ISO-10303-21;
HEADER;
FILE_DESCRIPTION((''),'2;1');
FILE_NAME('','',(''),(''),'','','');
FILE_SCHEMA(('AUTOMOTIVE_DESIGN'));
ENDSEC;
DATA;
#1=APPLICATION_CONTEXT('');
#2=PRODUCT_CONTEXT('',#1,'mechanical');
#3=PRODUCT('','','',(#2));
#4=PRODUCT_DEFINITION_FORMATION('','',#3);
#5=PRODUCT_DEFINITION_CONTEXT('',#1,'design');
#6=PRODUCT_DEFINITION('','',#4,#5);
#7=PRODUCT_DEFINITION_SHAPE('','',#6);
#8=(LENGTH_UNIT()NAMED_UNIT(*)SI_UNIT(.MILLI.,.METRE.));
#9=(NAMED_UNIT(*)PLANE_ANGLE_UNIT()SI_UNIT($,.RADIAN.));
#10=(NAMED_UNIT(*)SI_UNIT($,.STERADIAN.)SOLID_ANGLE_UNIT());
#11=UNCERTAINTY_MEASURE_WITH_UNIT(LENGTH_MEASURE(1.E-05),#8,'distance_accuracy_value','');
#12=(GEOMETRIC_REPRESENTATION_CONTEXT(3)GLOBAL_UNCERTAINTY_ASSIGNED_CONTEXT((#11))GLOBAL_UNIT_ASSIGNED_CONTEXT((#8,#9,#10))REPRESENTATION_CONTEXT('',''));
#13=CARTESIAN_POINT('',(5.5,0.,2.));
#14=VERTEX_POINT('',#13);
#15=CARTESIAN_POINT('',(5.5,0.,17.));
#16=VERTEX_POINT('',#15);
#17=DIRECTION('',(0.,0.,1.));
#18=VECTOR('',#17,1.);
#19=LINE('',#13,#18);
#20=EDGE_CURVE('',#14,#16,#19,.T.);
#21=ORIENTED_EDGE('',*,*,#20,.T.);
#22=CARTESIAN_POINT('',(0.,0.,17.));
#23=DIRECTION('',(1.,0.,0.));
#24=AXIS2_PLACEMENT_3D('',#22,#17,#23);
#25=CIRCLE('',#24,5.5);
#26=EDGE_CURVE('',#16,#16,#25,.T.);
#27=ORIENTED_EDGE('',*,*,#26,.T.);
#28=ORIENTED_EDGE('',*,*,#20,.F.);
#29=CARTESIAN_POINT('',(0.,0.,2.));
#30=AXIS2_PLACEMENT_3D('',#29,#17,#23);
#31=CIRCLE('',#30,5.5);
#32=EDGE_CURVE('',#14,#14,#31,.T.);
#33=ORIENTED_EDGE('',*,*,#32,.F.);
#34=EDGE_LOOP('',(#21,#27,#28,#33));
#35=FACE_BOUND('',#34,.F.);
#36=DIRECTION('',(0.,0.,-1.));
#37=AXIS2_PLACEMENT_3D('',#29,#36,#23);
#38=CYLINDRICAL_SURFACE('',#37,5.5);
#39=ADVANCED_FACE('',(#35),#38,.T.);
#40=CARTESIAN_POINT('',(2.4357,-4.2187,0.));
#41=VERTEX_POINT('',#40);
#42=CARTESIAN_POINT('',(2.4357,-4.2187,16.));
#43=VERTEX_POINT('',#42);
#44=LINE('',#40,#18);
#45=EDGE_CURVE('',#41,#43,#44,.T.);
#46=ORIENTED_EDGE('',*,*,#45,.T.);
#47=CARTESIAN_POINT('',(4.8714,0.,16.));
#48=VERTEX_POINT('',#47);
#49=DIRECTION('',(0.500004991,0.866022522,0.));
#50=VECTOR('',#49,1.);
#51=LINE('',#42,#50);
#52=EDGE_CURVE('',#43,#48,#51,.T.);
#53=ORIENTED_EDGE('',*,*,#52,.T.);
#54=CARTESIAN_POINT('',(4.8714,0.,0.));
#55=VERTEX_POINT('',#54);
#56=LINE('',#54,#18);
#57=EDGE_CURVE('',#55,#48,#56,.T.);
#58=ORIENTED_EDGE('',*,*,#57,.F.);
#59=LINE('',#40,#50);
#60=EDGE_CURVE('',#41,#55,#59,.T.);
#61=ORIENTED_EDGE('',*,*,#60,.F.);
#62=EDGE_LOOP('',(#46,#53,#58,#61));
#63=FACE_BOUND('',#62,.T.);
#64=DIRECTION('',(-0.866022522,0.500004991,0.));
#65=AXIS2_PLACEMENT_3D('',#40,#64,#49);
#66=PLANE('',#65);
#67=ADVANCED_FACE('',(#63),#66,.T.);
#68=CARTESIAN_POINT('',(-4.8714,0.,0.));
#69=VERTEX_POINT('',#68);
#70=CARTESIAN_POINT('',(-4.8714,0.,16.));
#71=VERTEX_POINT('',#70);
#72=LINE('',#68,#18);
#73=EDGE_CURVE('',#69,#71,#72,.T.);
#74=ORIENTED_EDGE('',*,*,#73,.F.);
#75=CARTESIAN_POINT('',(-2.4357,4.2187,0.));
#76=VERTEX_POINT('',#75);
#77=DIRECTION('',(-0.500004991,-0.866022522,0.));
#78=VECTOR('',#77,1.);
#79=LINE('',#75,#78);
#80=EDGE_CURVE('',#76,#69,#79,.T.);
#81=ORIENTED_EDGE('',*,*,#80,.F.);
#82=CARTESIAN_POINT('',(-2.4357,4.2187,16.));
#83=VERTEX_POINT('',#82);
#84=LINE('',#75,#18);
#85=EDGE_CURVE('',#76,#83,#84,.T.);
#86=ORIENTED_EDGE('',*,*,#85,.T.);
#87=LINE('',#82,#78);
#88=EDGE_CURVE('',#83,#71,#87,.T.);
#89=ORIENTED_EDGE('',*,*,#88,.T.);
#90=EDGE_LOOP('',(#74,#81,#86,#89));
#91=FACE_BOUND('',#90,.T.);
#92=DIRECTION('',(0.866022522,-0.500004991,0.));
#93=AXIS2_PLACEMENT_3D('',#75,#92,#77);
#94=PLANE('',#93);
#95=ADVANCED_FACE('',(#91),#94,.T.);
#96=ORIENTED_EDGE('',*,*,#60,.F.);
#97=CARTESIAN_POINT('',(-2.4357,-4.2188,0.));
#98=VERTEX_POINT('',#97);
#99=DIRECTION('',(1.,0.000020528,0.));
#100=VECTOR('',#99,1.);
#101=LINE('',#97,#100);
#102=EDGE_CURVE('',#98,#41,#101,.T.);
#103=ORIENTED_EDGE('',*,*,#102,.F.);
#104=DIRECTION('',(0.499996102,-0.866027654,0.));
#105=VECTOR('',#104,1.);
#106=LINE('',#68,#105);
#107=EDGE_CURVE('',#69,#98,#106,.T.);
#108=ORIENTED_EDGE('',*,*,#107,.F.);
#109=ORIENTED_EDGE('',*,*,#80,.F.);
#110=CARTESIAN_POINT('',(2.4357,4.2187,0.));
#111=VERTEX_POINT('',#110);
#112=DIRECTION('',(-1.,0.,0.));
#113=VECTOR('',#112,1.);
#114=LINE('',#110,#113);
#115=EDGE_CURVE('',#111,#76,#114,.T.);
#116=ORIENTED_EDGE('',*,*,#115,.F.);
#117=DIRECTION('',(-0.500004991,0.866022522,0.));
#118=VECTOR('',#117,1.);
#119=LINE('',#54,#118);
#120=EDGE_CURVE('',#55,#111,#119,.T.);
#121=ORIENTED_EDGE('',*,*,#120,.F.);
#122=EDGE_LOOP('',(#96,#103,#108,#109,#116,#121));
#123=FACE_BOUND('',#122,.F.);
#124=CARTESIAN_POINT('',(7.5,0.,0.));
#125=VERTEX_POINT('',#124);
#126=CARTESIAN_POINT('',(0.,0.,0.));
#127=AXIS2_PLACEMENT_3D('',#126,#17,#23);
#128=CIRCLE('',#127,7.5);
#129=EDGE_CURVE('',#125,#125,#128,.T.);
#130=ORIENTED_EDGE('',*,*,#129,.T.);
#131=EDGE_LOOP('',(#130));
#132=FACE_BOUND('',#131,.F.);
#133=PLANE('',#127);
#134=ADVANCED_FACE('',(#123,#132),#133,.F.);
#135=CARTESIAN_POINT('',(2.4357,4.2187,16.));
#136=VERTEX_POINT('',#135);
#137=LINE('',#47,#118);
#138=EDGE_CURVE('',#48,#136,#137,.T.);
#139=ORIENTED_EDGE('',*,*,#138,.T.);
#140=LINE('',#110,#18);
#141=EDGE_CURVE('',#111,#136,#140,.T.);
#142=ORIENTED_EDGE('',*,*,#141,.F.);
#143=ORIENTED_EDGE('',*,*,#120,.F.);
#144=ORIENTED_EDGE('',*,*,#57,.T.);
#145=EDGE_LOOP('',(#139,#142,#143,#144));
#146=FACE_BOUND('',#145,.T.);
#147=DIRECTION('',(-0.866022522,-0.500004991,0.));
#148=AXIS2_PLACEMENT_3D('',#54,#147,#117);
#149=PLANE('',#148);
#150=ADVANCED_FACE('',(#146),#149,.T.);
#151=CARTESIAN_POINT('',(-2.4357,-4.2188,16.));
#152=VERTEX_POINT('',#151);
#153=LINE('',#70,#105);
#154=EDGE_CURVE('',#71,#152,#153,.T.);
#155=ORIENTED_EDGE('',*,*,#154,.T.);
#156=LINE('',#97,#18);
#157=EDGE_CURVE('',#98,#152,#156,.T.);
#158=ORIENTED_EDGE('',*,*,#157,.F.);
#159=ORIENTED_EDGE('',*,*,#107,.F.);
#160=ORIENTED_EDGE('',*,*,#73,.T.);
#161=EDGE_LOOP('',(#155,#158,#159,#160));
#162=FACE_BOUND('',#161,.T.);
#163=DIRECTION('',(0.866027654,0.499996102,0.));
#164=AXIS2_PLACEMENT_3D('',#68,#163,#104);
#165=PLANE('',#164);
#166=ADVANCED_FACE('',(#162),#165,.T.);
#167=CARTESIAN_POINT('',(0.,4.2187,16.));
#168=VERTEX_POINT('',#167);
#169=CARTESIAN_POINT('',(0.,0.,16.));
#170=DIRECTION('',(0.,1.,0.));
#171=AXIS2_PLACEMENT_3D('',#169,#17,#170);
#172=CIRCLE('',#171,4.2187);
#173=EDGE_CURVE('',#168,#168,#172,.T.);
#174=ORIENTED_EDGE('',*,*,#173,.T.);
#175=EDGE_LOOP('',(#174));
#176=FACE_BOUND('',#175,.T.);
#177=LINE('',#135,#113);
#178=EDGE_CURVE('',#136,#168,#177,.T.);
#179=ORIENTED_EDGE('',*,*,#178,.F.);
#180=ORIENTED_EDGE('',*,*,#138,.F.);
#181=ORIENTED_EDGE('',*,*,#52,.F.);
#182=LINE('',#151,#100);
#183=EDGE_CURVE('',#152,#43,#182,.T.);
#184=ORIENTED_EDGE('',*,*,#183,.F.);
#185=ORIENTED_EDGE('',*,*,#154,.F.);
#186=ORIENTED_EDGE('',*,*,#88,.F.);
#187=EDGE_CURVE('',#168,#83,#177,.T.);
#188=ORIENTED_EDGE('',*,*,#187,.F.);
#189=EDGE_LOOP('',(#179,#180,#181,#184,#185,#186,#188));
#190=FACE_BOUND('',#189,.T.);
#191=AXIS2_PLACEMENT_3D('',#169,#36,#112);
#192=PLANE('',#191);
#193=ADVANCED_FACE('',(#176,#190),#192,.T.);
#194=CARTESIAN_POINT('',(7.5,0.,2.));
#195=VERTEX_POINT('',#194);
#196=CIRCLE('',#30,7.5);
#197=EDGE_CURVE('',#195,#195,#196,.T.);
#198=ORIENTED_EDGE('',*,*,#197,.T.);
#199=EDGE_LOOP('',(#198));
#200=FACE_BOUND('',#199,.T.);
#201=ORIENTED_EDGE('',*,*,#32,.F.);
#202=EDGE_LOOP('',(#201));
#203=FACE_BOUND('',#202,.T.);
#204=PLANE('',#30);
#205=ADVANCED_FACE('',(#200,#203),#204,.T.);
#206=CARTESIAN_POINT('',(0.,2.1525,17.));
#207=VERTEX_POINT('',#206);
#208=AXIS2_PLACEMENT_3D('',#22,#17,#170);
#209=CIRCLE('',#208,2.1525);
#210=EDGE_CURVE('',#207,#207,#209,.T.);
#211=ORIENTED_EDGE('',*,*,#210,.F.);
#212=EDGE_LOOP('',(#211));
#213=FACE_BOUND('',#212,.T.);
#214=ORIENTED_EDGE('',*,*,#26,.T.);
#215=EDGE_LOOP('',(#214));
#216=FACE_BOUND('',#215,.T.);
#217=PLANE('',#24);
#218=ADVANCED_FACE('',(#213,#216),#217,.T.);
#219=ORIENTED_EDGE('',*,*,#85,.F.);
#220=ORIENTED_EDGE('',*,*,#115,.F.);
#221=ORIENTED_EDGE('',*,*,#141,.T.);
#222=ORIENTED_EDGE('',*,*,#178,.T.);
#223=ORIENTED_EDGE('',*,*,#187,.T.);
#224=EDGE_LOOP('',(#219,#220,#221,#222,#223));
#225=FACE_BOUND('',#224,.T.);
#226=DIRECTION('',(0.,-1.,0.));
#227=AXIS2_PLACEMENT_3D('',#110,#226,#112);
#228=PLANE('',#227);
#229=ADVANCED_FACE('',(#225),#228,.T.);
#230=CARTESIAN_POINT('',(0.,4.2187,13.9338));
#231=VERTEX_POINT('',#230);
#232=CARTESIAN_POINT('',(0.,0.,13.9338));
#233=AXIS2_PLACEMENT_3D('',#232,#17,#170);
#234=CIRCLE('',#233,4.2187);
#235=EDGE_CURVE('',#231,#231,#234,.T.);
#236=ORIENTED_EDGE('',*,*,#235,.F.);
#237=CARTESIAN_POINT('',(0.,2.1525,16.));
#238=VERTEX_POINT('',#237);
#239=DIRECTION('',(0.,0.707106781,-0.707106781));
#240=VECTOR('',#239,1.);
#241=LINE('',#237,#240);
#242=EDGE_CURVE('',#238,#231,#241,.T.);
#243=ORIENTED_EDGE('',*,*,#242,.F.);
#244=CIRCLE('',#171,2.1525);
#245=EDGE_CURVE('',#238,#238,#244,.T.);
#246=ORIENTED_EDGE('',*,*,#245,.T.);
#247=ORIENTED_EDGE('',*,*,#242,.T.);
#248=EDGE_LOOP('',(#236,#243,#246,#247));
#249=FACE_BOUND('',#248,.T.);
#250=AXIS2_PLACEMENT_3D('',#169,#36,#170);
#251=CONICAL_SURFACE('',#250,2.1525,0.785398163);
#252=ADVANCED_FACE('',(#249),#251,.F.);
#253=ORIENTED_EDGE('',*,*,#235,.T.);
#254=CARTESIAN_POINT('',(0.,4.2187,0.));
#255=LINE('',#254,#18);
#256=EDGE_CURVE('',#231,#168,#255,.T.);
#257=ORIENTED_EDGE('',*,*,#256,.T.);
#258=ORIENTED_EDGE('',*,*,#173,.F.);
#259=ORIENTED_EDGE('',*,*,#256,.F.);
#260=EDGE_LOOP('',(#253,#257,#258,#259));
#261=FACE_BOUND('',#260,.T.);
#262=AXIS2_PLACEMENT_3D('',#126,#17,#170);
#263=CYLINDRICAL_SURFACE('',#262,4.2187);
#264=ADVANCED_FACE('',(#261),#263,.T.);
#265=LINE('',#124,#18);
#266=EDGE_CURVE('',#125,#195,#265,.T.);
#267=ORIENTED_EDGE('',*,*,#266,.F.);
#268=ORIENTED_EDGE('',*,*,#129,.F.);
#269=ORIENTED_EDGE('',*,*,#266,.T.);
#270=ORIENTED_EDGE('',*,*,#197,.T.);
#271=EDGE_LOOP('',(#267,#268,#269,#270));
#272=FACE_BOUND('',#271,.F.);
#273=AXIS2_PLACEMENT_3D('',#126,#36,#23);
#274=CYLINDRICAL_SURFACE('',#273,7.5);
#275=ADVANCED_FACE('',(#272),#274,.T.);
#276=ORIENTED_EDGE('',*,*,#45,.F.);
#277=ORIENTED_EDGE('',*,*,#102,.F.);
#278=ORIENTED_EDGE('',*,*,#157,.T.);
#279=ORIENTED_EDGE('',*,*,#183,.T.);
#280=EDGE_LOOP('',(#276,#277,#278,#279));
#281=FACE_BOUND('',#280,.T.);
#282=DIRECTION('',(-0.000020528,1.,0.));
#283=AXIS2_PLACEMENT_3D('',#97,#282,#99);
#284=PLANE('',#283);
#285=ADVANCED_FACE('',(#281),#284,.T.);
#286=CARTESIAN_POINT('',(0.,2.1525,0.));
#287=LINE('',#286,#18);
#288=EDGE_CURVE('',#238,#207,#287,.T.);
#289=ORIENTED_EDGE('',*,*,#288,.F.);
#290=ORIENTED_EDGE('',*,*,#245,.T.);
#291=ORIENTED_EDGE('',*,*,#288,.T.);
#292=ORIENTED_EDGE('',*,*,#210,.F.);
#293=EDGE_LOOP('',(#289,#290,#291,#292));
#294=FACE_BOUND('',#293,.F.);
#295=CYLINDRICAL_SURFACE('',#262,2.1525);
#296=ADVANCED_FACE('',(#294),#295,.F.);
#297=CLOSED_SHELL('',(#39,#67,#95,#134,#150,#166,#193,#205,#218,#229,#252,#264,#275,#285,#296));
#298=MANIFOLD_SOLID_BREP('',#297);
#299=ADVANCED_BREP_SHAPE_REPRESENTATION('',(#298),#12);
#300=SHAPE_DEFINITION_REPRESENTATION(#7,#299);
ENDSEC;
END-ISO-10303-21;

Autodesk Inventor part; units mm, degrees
ref_plane "YZ Plane" through (0, 0, 0) normal (1, 0, 0) x (0, 1, 0)
ref_plane "XZ Plane" through (0, 0, 0) normal (0, 1, 0) x (-1, 0, 0)
ref_plane "XY Plane" through (0, 0, 0) normal (0, 0, 1) x (1, 0, 0)
sketch "Sketch2" plane through (0, 0, 0) normal (0, 0, 1) x (1, 0, 0)
  circle A0 centre (0, 0) radius 7.5
  dimension "d0" = 15
extrude "Extrusion1" add sketch "Sketch2" along normal blind 2
sketch "Sketch3" plane through (0, 0, 2) normal (0, 0, 1) x (1, 0, 0)
  circle A0 centre (0, 0) radius 7.5 projected
  circle A1 centre (0, 0) radius 5.5
  dimension "d3" = 11
extrude "Extrusion2" add sketch "Sketch3" along normal blind 15 contours A1
sketch "Sketch4" plane through (0, 0, 0) normal (0, 0, -1) x (-1, 0, 0)
  circle A0 centre (0, 0) radius 7.5 projected
hole "Hole1" at (0, 0, 0) direction (0, 0, 1) diameter 4.305 end through all clearance for "Flat Head Machine Screw (82)" size "#6" standard "Ansi Unified Screw Threads"
ref_plane "Work Plane1" through (0, 0, 16) normal (0, 0, 1) x (1, 0, 0)
sketch "Sketch5" plane through (0, 0, 0) normal (0, 0, -1) x (-1, 0, 0)
  circle A0 centre (0, 0) radius 2.1525 projected
  circle A1 centre (0, 0) radius 7.5 projected
  line L0 (2.4357, 4.2187) -> (4.8714, 0)
  line L1 (4.8714, 0) -> (2.4357, -4.2188)
  line L2 (2.4357, -4.2188) -> (-2.4357, -4.2187)
  line L3 (-2.4357, -4.2187) -> (-4.8714, 0)
  line L4 (-4.8714, 0) -> (-2.4357, 4.2187)
  line L5 (-2.4357, 4.2187) -> (2.4357, 4.2187)
  dimension "d14" = 8.4375
extrude "Extrusion3" cut sketch "Sketch5" against normal up to surface (16 mm away) contours L0 L1 L2 L3 L4 L5
sketch "Sketch6" plane through (0, 0, 0) normal (0, 0, -1) x (-1, 0, 0)
  line L0 (2.4357, -4.2188) -> (-2.4357, -4.2187) projected
  line L1 (-2.4357, -4.2187) -> (-4.8714, 0) projected
  line L2 (-4.8714, 0) -> (-2.4357, 4.2187) projected
  line L3 (-2.4357, 4.2187) -> (2.4357, 4.2187) projected
  line L4 (2.4357, 4.2187) -> (4.8714, 0) projected
  line L5 (4.8714, 0) -> (2.4357, -4.2188) projected
  circle A0 centre (0, 0) radius 7.5 projected
  circle A1 centre (0, 0) radius 4 construction
  dimension "d17" = 8
sketch "Sketch7" plane through (0, 0, 0) normal (1, 0, 0) x (0, 1, 0)
  line L0 (-7.5, 0) -> (-7.5, 2) projected
  line L1 (-7.5, 2) -> (-5.5, 2) projected
  line L2 (-5.5, 2) -> (-5.5, 17) projected
  line L3 (-5.5, 17) -> (-2.1525, 17) projected
  line L4 (-2.1525, 17) -> (-2.1525, 16) projected
  line L5 (-2.1525, 16) -> (-4.2188, 16) projected
  line L6 (-4.2188, 16) -> (-4.2188, 0) projected
  line L7 (-4.2188, 0) -> (-7.5, 0) projected
  line L8 (7.5, 2) -> (7.5, 0) projected
  line L9 (7.5, 0) -> (4.2187, 0) projected
  line L10 (4.2187, 0) -> (4.2187, 16) projected
  line L11 (4.2187, 16) -> (2.1525, 16) projected
  line L12 (2.1525, 16) -> (2.1525, 17) projected
  line L13 (2.1525, 17) -> (5.5, 17) projected
  line L14 (5.5, 17) -> (5.5, 2) projected
  line L15 (5.5, 2) -> (7.5, 2) projected
  line L16 (2.1525, 16) -> (4.2187, 13.9338)
  line L17 (0, -3.4) -> (0, 20.4) projected
  point P0 (0, 0)
  dimension "d18" = 45
revolve "Revolution1" add sketch "Sketch7" angle 360 about axis through (0, 0, -10) along (0, 0, 1) contours L16 L11 L10
properties part number "z-keeper"
